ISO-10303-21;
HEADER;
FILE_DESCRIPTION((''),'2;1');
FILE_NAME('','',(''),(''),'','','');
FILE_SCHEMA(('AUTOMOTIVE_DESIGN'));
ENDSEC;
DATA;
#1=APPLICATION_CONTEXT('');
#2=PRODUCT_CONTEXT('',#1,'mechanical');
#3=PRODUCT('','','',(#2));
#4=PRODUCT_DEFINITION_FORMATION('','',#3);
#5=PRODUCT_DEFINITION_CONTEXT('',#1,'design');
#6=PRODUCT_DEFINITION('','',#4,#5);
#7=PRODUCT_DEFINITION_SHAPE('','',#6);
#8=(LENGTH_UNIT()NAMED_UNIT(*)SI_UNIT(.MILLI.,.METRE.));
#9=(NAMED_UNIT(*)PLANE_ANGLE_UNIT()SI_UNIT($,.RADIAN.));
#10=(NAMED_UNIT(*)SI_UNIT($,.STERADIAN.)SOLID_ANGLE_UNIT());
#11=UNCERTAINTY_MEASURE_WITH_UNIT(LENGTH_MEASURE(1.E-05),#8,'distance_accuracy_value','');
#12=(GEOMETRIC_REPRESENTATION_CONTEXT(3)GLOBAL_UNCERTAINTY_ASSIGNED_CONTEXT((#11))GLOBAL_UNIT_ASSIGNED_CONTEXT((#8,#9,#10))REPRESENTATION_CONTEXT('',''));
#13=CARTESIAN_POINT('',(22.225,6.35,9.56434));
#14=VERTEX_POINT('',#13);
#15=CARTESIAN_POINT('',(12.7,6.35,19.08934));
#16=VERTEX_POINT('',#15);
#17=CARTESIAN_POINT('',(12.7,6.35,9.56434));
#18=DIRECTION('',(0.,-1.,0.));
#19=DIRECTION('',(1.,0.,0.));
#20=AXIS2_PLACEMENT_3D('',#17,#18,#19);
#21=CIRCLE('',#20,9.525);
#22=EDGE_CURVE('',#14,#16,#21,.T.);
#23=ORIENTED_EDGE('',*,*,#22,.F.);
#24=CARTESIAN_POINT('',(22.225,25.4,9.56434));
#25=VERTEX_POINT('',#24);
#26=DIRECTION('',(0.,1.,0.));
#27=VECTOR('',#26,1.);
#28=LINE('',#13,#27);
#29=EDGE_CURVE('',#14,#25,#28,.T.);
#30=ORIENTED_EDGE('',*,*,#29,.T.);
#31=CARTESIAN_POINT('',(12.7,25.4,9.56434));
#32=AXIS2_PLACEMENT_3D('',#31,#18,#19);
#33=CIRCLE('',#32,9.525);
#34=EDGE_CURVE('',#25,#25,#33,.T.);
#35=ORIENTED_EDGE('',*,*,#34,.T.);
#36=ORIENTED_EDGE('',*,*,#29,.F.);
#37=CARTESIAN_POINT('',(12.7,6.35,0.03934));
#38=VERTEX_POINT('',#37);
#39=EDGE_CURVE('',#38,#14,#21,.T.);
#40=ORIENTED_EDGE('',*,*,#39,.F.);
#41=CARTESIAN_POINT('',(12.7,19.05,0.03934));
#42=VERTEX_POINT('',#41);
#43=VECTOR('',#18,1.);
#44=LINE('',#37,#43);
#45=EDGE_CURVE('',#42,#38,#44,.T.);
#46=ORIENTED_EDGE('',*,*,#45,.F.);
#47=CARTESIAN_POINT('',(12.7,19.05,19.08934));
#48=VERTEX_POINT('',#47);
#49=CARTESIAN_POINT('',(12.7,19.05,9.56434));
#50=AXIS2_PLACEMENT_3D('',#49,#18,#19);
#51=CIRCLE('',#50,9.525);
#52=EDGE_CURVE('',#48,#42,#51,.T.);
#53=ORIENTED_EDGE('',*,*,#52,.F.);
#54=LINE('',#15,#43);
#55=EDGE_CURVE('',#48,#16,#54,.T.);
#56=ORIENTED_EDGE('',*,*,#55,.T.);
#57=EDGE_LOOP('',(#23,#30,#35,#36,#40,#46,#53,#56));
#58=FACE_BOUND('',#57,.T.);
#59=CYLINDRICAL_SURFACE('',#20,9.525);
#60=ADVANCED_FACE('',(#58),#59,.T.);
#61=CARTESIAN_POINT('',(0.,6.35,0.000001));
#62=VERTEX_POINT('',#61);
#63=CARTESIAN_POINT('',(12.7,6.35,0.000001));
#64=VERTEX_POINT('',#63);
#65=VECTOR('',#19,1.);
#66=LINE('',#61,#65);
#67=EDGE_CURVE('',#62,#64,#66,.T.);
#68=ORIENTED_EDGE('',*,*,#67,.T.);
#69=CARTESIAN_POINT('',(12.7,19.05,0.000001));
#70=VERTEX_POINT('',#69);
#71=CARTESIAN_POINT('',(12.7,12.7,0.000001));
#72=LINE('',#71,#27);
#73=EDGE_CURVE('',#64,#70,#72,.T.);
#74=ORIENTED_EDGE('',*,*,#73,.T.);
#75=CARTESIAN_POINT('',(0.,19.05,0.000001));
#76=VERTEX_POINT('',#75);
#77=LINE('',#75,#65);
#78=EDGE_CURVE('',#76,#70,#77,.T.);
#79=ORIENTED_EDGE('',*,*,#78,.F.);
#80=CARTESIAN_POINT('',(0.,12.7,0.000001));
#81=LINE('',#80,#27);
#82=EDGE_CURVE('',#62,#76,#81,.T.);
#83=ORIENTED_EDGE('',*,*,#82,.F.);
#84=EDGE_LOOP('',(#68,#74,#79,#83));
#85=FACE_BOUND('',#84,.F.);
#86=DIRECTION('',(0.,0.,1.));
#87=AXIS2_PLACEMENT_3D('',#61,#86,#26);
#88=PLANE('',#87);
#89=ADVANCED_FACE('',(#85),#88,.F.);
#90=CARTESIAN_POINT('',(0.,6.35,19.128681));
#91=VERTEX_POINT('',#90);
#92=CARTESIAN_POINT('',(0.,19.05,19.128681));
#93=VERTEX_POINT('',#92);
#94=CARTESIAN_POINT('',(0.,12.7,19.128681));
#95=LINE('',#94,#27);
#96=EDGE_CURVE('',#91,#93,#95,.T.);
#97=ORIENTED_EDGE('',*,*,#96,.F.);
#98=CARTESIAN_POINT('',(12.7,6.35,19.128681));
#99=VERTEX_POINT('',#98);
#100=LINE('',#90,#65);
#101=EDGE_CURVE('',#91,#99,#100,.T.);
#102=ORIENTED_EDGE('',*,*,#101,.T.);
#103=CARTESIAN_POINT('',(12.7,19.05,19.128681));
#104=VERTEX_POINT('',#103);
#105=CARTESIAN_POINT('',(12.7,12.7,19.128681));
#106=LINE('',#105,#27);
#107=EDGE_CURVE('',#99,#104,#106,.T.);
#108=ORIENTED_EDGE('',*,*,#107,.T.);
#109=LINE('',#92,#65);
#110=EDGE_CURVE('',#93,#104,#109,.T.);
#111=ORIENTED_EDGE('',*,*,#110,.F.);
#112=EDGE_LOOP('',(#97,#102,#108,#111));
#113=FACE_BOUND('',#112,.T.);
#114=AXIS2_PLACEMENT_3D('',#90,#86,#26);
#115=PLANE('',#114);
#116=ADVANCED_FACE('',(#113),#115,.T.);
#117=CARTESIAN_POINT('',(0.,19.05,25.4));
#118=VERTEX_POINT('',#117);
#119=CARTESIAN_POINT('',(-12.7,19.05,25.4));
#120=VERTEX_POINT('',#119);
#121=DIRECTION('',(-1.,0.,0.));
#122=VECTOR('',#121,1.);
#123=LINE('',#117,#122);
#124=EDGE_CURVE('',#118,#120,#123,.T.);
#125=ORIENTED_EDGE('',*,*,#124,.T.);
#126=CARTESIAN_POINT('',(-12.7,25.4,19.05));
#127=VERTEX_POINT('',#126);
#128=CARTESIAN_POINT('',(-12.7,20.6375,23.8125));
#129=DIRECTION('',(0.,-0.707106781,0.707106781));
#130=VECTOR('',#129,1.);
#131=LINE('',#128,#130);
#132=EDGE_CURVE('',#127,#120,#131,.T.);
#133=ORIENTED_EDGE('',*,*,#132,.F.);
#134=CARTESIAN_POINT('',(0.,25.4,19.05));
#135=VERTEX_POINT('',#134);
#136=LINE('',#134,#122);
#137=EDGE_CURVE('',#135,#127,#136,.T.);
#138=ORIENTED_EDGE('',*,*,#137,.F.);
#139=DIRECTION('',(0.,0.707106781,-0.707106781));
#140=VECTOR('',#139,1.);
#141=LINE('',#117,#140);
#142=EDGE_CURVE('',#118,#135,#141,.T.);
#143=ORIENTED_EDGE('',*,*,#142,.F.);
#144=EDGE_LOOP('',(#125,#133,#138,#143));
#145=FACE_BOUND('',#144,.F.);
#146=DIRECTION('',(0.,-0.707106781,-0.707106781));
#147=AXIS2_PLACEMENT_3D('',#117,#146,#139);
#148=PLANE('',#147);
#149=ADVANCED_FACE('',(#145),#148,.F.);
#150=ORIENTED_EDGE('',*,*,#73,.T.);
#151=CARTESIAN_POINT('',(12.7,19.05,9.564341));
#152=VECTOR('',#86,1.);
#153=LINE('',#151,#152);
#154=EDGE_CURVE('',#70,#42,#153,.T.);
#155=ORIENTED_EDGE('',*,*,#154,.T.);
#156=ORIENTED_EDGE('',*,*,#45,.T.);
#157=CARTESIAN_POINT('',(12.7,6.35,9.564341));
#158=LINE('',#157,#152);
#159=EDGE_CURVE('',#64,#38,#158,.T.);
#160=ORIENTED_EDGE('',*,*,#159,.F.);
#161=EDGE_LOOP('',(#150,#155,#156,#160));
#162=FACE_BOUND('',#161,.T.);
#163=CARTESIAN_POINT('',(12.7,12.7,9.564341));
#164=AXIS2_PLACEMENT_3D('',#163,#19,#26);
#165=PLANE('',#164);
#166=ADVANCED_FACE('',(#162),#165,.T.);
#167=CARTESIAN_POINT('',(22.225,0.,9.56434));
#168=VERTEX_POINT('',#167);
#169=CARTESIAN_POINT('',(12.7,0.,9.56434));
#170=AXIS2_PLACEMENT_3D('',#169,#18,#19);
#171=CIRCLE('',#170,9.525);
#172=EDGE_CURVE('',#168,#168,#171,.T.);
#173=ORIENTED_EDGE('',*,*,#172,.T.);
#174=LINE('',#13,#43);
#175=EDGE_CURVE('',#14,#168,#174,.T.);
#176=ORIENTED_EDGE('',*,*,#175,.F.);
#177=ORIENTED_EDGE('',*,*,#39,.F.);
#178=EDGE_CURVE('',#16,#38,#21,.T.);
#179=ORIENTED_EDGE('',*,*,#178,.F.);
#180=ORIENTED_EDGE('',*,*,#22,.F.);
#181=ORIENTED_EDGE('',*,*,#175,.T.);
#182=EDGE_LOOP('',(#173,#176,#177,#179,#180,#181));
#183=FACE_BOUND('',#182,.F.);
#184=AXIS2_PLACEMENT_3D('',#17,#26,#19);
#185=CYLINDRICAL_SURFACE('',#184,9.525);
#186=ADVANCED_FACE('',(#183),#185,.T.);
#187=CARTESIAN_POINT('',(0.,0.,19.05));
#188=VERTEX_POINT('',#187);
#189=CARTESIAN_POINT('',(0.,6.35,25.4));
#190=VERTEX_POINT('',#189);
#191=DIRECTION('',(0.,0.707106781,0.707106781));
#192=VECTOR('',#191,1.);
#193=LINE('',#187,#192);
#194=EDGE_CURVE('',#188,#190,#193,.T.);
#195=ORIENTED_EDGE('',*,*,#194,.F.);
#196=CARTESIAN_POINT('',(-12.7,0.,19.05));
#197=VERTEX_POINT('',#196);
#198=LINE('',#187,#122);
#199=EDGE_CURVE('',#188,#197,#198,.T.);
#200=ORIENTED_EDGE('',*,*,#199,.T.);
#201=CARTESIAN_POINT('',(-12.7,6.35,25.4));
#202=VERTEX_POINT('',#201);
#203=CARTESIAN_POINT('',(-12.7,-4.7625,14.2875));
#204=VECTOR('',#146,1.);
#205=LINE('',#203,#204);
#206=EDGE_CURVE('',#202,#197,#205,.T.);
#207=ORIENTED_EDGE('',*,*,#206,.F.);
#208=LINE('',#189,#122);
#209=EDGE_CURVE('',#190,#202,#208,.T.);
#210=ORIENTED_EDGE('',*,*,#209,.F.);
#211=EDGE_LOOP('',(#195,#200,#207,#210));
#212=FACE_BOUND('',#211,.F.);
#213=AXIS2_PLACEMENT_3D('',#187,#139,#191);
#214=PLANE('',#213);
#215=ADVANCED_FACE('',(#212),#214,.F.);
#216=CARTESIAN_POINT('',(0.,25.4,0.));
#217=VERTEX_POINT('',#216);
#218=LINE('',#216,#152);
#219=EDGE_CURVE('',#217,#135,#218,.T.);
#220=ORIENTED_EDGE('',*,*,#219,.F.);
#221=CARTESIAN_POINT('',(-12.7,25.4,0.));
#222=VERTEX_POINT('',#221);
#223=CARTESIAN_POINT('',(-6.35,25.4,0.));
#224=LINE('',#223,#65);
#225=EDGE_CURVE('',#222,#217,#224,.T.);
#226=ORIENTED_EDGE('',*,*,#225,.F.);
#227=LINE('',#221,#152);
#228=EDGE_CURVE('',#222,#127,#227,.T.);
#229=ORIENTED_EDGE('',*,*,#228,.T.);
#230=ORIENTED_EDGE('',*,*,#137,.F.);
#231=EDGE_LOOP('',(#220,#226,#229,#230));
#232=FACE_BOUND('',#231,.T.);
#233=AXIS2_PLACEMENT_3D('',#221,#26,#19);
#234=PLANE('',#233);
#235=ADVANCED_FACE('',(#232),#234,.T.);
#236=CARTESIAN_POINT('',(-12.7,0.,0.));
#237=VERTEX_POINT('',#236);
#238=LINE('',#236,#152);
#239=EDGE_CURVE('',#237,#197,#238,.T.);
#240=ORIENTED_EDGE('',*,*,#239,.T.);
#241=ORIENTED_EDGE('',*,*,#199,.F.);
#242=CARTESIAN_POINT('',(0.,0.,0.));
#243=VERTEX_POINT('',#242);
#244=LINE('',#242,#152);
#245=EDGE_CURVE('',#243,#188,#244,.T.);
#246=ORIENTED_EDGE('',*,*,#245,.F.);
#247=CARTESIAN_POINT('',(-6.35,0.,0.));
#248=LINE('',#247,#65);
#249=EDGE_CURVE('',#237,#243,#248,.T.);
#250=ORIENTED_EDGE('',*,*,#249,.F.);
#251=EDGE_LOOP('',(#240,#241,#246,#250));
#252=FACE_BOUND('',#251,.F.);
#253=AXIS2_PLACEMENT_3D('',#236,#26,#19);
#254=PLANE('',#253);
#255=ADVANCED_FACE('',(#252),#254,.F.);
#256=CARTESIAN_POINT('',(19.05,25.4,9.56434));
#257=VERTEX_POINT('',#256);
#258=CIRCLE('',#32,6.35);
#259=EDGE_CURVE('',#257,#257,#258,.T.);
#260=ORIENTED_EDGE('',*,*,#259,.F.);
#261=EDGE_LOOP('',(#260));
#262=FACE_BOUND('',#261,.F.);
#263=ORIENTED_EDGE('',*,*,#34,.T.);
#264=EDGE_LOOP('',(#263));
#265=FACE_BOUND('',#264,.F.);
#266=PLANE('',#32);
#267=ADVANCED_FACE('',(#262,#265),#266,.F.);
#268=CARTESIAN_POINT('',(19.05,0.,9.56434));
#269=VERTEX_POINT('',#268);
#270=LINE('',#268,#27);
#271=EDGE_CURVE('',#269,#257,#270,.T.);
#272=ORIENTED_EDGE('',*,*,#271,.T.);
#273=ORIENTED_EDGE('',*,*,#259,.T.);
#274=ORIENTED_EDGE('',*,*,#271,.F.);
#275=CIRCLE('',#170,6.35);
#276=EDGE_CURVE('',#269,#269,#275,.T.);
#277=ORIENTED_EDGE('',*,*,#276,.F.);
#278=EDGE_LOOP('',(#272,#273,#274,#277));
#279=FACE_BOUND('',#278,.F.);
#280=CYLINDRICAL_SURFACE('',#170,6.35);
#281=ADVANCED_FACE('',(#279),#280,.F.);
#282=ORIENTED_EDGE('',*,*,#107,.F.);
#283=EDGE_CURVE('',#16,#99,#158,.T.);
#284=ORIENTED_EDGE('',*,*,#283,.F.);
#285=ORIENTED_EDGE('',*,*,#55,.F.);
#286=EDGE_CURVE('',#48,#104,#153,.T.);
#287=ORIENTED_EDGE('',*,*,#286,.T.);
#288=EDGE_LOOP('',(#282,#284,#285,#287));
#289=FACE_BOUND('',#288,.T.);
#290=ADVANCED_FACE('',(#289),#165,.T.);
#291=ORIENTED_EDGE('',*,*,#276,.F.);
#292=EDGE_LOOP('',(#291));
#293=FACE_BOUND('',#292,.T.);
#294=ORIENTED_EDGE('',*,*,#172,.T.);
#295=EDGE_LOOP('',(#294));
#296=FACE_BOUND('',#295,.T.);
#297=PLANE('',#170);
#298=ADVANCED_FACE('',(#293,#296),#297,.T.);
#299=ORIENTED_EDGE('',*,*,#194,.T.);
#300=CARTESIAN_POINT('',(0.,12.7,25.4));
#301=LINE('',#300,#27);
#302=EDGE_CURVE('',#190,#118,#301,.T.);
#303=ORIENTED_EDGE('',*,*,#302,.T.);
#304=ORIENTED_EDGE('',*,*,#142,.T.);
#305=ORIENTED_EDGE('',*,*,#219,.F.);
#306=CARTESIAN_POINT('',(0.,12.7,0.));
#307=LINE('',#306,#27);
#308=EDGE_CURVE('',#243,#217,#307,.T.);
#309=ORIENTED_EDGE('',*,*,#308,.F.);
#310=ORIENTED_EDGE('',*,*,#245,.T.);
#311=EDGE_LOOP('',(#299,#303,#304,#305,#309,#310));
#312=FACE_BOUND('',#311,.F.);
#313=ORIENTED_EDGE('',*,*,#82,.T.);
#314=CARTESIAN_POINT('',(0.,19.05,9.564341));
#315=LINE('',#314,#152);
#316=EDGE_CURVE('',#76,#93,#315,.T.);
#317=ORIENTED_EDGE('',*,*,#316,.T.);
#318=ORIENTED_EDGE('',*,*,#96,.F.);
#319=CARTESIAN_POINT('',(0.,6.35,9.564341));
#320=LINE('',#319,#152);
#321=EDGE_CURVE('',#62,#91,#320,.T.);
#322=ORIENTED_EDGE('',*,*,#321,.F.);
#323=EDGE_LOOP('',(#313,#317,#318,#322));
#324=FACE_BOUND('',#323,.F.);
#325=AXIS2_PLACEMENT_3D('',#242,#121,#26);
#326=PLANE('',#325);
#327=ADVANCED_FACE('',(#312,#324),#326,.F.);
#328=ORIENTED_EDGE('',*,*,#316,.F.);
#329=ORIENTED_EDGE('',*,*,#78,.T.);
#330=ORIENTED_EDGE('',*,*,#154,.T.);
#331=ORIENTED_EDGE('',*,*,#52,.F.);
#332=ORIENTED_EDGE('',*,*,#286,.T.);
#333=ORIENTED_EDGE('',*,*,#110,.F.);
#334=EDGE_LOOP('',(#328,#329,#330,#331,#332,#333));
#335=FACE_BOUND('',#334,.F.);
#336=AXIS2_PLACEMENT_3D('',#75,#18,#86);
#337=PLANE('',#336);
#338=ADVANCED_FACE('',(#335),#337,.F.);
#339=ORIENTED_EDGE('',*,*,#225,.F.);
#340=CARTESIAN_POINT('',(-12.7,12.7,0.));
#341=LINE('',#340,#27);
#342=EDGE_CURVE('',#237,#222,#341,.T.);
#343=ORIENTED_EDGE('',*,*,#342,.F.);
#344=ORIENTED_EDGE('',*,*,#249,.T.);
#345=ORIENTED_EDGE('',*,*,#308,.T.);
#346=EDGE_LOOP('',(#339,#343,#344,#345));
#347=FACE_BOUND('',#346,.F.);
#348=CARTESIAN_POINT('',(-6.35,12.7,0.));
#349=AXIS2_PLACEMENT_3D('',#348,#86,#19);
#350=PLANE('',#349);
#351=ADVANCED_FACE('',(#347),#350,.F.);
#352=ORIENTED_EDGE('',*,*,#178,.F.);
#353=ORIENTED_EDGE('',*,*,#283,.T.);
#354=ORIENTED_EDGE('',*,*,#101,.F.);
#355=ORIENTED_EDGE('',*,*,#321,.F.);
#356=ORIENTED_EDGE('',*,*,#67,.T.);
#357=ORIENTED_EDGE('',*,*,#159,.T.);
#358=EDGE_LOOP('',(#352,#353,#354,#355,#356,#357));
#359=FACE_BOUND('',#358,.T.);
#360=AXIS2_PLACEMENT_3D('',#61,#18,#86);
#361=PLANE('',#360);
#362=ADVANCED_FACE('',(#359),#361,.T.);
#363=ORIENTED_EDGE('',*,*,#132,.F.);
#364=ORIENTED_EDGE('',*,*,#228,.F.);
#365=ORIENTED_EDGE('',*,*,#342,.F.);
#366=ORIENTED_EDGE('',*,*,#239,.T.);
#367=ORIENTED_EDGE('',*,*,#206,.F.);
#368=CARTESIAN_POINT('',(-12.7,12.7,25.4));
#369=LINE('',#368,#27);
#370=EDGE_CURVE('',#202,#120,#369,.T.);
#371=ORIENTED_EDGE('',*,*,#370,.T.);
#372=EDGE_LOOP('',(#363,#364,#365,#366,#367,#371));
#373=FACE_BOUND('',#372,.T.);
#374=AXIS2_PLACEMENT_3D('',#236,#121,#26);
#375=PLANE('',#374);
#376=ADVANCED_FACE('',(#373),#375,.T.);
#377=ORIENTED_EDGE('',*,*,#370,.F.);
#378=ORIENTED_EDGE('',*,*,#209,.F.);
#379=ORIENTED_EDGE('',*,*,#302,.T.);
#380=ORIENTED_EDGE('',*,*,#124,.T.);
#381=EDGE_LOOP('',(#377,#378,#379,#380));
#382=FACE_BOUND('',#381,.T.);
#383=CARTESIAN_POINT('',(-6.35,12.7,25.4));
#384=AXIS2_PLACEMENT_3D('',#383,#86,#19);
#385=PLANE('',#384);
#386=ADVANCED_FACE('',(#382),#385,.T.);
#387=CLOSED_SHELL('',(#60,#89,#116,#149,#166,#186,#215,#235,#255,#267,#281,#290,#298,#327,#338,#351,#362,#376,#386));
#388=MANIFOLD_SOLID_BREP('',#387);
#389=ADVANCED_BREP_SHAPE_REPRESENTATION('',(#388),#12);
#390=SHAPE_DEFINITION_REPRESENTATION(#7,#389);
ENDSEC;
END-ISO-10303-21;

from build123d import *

# Parameters (mm, degrees)
F0_W          = 12.7
F0_H          = 25.4
F1_DEPTH      = 25.4
F3_DEPTH      = 12.701
F4_W          = 12.7
F4_H          = 19.128681
F5_DEPTH      = 12.7
F6_R          = 9.525
F7_DEPTH      = 6.35
F7_DEPTH_BACK = 19.05
F8_R          = 6.35
F9_DEPTH      = 25.401


with BuildPart() as f1:
    # F0 (on Top) → F1 (new body)
    with BuildSketch(Plane.XY):
        with Locations((-6.35, 12.7)):
            Rectangle(F0_W, F0_H)
    extrude(amount=F1_DEPTH)

    # F2 (on face) → F3 (cut, through all)
    with BuildSketch(Plane.YZ):
        Polygon((25.4, 19.05), (25.4, 25.4), (19.05, 25.4), align=None)
        Polygon((0, 25.4), (0, 19.05), (6.35, 25.4), align=None)
    extrude(amount=-F3_DEPTH, mode=Mode.SUBTRACT)

    # F4 (on face) → F5 (join)
    with BuildSketch(Plane.YZ):
        with Locations((12.7, 9.564341)):
            Rectangle(F4_W, F4_H)
    extrude(amount=F5_DEPTH)

    # F6 (on face) → F7 (join, two sides)
    with BuildSketch(Plane.XZ.offset(-6.35)) as f7_sk:
        with Locations((12.7, 9.56434)):
            Circle(F6_R)
    extrude(amount=F7_DEPTH)
    extrude(f7_sk.sketch, amount=-F7_DEPTH_BACK)

    # F8 (on face) → F9 (cut, through all)
    with BuildSketch(Plane.XZ):
        with Locations((12.7, 9.56434)):
            Circle(F8_R)
    extrude(amount=-F9_DEPTH, mode=Mode.SUBTRACT)


solid = f1.part
